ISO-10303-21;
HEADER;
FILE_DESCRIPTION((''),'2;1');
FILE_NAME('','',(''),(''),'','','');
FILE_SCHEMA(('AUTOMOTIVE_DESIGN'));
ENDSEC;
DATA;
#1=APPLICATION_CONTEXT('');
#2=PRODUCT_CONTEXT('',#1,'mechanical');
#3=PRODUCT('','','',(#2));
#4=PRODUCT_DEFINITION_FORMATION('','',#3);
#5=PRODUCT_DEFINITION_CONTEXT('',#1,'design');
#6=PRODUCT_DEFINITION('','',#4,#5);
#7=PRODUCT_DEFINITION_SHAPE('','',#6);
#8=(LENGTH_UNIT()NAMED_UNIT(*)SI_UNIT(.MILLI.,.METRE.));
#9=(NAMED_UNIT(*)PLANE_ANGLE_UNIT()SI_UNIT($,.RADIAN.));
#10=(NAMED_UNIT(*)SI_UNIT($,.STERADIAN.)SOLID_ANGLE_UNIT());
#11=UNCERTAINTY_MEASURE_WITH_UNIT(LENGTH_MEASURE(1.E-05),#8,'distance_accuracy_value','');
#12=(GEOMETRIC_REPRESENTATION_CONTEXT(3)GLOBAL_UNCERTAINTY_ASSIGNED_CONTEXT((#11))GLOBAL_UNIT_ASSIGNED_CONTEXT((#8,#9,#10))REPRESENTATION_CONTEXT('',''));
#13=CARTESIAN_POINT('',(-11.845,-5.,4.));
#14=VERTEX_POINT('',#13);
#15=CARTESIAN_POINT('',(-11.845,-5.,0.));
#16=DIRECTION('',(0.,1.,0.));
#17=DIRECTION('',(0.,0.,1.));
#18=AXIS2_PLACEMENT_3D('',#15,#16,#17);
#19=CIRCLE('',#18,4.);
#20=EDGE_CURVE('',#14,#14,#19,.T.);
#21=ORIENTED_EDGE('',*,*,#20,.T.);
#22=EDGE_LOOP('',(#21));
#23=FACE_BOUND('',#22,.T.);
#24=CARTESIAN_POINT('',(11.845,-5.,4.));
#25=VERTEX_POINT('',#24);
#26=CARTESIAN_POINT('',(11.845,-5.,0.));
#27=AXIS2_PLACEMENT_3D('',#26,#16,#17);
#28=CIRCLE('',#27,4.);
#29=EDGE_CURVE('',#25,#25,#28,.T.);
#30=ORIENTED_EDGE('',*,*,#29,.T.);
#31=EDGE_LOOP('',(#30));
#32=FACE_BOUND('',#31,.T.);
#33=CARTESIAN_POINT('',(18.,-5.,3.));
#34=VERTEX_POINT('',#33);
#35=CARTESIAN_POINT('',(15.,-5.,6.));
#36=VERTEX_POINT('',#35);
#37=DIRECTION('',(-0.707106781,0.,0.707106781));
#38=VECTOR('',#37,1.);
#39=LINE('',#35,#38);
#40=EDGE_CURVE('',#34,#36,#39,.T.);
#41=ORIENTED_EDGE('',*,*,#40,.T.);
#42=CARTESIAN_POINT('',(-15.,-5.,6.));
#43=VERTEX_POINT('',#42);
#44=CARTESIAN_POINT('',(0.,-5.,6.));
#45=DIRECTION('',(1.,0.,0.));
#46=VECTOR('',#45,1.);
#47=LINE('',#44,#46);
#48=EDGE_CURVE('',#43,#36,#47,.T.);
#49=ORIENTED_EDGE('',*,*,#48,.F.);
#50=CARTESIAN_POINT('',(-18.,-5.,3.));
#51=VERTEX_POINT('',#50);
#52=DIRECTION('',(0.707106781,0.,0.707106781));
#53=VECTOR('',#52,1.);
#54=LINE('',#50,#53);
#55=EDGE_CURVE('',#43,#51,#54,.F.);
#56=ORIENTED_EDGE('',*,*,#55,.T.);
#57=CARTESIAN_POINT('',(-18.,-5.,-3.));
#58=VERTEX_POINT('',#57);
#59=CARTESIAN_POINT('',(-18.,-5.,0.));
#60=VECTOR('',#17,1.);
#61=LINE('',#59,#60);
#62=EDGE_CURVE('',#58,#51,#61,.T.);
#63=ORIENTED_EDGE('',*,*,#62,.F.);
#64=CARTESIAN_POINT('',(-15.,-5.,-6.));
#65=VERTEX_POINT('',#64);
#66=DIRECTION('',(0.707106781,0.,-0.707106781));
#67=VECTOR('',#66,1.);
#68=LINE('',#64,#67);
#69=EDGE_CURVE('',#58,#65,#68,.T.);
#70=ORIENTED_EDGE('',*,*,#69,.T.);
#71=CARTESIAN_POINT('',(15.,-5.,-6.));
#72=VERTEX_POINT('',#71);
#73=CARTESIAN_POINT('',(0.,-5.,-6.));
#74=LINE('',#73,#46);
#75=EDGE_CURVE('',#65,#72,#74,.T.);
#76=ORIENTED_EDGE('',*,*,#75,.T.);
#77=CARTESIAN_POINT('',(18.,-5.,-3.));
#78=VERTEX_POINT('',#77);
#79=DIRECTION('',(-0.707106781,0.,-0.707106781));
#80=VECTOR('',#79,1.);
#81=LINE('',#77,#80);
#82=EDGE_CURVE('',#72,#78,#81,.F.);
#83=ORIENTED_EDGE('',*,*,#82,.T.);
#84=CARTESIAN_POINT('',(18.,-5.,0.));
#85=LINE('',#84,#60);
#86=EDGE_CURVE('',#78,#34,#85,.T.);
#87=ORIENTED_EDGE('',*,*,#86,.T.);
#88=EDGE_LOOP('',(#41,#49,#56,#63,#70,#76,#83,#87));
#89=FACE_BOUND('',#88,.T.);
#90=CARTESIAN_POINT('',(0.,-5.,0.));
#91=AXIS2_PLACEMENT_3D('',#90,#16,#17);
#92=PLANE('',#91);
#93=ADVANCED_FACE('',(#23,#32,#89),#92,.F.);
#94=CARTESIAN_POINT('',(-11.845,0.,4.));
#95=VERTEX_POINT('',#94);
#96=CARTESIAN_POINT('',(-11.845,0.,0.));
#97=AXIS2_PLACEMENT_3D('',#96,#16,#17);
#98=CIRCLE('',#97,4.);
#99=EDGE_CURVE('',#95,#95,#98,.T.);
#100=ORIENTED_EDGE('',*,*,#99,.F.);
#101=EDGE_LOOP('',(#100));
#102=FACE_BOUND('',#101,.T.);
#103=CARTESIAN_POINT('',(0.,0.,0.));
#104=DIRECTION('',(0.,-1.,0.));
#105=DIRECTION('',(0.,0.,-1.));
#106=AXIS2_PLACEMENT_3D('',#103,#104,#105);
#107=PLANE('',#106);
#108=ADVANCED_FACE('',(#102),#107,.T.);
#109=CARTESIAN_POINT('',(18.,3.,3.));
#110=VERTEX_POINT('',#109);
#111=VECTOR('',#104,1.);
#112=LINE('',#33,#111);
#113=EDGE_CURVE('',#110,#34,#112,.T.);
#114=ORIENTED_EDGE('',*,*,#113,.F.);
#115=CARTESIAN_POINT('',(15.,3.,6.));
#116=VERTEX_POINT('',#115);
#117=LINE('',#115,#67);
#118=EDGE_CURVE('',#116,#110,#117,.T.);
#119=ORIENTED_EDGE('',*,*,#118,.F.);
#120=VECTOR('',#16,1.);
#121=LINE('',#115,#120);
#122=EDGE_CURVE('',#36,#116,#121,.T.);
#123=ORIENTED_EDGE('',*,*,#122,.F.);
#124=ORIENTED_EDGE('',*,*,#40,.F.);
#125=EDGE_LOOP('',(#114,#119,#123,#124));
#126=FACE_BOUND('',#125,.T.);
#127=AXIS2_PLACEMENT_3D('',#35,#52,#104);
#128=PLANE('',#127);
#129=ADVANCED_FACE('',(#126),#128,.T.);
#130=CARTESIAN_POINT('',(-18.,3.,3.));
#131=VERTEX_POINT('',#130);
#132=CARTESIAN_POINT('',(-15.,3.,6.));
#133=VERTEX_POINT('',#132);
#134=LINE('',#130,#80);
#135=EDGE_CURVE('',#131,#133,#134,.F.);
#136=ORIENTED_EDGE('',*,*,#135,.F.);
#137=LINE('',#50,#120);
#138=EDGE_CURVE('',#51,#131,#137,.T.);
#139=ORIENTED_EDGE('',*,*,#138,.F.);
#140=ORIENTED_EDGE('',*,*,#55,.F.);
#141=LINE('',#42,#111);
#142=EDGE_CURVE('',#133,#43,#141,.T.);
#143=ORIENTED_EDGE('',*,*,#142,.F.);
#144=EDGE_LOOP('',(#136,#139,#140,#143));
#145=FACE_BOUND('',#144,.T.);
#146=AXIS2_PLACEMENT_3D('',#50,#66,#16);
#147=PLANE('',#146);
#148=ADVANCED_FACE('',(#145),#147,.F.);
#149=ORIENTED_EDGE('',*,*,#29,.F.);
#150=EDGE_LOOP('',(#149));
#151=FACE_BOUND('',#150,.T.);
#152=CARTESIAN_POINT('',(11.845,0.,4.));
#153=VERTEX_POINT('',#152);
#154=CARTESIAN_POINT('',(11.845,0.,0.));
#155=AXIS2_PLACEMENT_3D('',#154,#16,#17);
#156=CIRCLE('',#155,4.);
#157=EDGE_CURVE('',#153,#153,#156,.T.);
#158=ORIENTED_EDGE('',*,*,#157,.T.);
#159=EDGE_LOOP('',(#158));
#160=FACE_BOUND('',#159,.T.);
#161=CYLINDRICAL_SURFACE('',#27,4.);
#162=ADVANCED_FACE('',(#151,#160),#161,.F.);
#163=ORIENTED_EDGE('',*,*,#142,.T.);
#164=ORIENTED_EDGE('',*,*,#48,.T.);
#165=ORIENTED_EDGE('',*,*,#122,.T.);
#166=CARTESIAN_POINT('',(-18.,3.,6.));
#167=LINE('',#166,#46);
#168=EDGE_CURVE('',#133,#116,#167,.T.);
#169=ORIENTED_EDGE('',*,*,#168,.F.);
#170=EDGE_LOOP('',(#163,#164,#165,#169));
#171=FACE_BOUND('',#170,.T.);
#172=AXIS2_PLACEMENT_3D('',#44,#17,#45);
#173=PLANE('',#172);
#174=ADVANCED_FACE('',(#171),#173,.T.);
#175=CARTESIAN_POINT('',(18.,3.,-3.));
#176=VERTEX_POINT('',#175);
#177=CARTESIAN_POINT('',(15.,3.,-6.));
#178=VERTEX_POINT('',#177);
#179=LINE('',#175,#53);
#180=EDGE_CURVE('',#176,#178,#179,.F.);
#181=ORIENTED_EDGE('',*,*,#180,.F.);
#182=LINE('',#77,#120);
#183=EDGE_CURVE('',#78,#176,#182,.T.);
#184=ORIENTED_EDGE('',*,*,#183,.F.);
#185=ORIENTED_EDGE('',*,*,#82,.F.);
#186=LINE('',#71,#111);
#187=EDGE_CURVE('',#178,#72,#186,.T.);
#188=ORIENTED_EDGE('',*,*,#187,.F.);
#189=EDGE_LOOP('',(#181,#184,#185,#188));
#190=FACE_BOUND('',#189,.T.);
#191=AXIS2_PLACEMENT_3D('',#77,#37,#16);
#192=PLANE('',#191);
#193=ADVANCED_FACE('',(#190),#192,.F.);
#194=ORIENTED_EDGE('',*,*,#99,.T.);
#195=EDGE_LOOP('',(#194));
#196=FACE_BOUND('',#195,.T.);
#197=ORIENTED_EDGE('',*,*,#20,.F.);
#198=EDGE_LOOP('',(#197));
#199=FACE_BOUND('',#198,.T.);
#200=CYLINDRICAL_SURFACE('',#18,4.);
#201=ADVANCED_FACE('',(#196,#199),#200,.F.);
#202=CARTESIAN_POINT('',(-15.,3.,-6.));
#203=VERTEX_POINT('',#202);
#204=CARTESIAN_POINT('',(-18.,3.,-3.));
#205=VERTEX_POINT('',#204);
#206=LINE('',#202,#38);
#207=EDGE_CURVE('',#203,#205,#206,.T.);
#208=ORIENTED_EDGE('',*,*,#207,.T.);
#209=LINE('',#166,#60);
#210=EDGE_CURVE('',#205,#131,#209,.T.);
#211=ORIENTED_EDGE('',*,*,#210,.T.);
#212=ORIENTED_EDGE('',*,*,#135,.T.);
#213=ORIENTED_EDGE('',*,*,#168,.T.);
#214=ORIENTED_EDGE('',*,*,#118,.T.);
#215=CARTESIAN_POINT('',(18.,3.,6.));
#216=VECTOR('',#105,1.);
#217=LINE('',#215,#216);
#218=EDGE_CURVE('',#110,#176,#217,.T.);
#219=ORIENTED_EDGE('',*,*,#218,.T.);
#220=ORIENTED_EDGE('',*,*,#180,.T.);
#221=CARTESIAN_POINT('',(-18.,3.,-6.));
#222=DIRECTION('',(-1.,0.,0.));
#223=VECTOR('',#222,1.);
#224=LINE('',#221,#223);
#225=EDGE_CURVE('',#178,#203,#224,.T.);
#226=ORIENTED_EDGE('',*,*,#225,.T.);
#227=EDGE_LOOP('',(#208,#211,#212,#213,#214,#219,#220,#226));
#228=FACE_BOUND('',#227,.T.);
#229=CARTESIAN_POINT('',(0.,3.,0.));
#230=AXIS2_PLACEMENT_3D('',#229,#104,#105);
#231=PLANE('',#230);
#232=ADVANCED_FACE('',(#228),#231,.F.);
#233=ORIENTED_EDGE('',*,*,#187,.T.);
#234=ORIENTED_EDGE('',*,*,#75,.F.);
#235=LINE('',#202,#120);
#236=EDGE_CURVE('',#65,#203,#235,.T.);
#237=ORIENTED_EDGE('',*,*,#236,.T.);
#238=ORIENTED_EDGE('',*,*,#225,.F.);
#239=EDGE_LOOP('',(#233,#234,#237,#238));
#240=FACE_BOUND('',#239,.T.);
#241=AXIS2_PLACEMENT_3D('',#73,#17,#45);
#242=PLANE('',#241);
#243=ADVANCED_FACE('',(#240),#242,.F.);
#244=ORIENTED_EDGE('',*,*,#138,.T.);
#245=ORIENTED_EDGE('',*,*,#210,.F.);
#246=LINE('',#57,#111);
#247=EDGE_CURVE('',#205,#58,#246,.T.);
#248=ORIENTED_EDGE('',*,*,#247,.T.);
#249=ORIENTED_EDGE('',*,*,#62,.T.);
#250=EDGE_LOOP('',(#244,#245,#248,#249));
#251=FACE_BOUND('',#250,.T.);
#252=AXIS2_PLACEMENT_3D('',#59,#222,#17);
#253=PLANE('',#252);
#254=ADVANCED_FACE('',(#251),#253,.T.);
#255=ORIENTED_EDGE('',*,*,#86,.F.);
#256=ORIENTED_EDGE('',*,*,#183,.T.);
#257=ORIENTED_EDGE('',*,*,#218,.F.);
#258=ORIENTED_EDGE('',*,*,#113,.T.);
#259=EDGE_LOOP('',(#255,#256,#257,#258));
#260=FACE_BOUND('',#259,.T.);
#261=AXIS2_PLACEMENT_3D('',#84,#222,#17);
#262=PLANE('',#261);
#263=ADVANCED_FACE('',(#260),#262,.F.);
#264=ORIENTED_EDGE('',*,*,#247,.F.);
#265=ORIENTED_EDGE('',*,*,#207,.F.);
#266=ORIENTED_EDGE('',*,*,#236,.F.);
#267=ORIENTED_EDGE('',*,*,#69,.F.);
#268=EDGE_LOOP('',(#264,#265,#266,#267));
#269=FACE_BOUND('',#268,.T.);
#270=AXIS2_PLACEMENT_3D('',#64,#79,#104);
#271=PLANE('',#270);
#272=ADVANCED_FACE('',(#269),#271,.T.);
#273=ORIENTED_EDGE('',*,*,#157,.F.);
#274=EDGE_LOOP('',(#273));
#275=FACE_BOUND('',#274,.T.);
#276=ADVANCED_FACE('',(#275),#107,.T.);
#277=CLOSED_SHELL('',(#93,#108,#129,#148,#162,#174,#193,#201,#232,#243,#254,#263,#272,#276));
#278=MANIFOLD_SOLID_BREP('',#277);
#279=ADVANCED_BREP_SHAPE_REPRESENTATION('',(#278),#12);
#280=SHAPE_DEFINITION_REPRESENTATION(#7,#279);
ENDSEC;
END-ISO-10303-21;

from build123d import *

# Parameters (mm, degrees)
SKETCH1_W           = 36
SKETCH1_H           = 12
SKETCH1_R           = 4
BOSS_EXTRUDE1_DEPTH = 5
SKETCH2_W           = 36
SKETCH2_H           = 12
BOSS_EXTRUDE2_DEPTH = 3
CHAMFER3_SIZE       = 3


with BuildPart() as part:
    # Sketch1 → Boss-Extrude1 (new body)
    with BuildSketch(Plane(origin=(0, 0, 0), x_dir=(1, 0, 0), z_dir=(0, 1, 0))):
        Rectangle(SKETCH1_W, SKETCH1_H)
        with Locations(Location((11.845, 0, 0), (0, 0, 270))):
            Circle(SKETCH1_R, mode=Mode.SUBTRACT)
        with Locations(Location((-11.845, 0, 0), (0, 0, 270))):
            Circle(SKETCH1_R, mode=Mode.SUBTRACT)
    extrude(amount=-BOSS_EXTRUDE1_DEPTH)

    # Sketch2 → Boss-Extrude2 (add)
    with BuildSketch(Plane(origin=(0, 0, 0), x_dir=(1, 0, 0), z_dir=(0, 1, 0))):
        Rectangle(SKETCH2_W, SKETCH2_H)
    extrude(amount=BOSS_EXTRUDE2_DEPTH)

    # Chamfer3
    chamfer3_edges = [part.edges().sort_by_distance(p)[0] for p in [
        (18, -1, 6),
        (-18, -1, 6),
        (-18, -1, -6),
        (18, -1, -6),
    ]]
    chamfer(chamfer3_edges, length=CHAMFER3_SIZE)


solid = part.part
